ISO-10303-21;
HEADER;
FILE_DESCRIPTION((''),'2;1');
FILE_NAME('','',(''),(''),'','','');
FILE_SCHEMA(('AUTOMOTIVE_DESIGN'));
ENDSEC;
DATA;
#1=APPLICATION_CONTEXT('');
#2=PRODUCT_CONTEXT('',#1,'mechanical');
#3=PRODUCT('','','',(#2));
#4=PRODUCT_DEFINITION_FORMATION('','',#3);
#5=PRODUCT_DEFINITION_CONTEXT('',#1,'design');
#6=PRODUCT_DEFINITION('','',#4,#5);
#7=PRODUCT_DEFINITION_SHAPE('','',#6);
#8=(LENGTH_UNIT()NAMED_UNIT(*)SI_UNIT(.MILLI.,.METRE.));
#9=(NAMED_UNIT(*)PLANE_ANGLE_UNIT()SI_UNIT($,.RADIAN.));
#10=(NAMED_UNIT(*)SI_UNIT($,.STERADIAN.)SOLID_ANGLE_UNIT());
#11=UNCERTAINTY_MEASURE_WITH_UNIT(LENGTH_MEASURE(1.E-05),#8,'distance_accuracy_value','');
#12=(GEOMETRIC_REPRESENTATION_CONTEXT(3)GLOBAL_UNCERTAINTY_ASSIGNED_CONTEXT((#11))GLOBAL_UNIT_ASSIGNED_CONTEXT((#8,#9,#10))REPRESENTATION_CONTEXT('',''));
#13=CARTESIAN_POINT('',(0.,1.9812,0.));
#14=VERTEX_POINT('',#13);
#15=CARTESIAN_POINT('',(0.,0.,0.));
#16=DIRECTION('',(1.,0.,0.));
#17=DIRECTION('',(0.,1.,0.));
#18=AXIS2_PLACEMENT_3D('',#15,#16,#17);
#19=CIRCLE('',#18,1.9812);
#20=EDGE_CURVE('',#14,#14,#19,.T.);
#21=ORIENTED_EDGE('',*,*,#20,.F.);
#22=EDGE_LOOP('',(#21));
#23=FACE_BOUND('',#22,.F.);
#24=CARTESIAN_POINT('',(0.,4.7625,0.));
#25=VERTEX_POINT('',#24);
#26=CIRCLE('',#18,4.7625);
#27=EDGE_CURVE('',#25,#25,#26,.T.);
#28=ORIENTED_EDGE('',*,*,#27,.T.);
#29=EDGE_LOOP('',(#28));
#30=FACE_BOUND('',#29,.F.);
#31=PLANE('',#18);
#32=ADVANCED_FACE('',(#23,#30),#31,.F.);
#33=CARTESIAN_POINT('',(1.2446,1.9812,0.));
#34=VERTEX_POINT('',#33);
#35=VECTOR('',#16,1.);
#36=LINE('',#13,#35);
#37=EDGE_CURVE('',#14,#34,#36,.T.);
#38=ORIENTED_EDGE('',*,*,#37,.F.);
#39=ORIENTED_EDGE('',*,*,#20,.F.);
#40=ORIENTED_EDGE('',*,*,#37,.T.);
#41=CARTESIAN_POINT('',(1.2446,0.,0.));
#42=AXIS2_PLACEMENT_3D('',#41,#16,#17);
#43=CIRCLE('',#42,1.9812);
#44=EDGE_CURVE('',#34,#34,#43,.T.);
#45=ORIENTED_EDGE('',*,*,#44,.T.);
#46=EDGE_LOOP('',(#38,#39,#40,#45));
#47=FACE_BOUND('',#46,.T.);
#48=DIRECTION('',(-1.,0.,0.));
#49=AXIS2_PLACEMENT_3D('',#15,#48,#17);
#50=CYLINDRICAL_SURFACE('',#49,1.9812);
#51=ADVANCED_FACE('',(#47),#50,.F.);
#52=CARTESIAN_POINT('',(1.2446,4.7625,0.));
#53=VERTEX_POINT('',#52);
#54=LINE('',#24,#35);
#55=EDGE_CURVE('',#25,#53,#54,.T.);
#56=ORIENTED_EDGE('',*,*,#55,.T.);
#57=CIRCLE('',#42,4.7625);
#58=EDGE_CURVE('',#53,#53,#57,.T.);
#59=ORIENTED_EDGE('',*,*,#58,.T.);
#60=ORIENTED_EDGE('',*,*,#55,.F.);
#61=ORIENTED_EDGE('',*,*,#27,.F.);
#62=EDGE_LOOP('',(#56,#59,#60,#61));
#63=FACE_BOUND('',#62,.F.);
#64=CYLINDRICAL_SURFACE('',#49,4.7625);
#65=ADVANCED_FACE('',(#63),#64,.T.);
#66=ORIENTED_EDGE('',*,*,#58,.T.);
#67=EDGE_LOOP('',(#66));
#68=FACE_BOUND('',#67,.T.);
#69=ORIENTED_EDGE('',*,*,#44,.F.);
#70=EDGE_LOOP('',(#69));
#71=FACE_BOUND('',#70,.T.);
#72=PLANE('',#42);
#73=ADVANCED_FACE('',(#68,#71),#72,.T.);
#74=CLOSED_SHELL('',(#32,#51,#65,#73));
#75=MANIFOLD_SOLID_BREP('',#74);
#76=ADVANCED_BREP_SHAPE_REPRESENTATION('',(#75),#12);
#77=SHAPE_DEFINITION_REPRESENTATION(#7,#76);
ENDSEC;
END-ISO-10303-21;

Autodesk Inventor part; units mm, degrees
ref_plane "YZ Plane" through (0, 0, 0) normal (1, 0, 0) x (0, 1, 0)
ref_plane "XZ Plane" through (0, 0, 0) normal (0, 1, 0) x (-1, 0, 0)
sketch "Sketch" plane through (0, 0, 0) normal (1, 0, 0) x (0, 1, 0)
  circle A0 centre (0, 0) radius 4.7625
  circle A1 centre (0, 0) radius 1.9812
  dimension "d0" = 3.9624
  dimension "d1" = 9.525
extrude "Body" add sketch "Sketch" along normal blind 1.2446
ref_plane "Work Plane1" through (0, 0, 0) normal (0, 0, 1) x (1, 0, 0)
equation "\"d0\" = SD1"
equation "\"d1\" = SD2"
equation "\"d2\" = SD"
equation "\"SD1\" = 3.9624"
equation "\"SD2\" = 9.525"
equation "\"SD\" = 1.2446"
equation "\"NND\" = 3.5052"
properties part number "ANSI B18.22.1 - No. 6 - Type A" material "Steel, Mild"
